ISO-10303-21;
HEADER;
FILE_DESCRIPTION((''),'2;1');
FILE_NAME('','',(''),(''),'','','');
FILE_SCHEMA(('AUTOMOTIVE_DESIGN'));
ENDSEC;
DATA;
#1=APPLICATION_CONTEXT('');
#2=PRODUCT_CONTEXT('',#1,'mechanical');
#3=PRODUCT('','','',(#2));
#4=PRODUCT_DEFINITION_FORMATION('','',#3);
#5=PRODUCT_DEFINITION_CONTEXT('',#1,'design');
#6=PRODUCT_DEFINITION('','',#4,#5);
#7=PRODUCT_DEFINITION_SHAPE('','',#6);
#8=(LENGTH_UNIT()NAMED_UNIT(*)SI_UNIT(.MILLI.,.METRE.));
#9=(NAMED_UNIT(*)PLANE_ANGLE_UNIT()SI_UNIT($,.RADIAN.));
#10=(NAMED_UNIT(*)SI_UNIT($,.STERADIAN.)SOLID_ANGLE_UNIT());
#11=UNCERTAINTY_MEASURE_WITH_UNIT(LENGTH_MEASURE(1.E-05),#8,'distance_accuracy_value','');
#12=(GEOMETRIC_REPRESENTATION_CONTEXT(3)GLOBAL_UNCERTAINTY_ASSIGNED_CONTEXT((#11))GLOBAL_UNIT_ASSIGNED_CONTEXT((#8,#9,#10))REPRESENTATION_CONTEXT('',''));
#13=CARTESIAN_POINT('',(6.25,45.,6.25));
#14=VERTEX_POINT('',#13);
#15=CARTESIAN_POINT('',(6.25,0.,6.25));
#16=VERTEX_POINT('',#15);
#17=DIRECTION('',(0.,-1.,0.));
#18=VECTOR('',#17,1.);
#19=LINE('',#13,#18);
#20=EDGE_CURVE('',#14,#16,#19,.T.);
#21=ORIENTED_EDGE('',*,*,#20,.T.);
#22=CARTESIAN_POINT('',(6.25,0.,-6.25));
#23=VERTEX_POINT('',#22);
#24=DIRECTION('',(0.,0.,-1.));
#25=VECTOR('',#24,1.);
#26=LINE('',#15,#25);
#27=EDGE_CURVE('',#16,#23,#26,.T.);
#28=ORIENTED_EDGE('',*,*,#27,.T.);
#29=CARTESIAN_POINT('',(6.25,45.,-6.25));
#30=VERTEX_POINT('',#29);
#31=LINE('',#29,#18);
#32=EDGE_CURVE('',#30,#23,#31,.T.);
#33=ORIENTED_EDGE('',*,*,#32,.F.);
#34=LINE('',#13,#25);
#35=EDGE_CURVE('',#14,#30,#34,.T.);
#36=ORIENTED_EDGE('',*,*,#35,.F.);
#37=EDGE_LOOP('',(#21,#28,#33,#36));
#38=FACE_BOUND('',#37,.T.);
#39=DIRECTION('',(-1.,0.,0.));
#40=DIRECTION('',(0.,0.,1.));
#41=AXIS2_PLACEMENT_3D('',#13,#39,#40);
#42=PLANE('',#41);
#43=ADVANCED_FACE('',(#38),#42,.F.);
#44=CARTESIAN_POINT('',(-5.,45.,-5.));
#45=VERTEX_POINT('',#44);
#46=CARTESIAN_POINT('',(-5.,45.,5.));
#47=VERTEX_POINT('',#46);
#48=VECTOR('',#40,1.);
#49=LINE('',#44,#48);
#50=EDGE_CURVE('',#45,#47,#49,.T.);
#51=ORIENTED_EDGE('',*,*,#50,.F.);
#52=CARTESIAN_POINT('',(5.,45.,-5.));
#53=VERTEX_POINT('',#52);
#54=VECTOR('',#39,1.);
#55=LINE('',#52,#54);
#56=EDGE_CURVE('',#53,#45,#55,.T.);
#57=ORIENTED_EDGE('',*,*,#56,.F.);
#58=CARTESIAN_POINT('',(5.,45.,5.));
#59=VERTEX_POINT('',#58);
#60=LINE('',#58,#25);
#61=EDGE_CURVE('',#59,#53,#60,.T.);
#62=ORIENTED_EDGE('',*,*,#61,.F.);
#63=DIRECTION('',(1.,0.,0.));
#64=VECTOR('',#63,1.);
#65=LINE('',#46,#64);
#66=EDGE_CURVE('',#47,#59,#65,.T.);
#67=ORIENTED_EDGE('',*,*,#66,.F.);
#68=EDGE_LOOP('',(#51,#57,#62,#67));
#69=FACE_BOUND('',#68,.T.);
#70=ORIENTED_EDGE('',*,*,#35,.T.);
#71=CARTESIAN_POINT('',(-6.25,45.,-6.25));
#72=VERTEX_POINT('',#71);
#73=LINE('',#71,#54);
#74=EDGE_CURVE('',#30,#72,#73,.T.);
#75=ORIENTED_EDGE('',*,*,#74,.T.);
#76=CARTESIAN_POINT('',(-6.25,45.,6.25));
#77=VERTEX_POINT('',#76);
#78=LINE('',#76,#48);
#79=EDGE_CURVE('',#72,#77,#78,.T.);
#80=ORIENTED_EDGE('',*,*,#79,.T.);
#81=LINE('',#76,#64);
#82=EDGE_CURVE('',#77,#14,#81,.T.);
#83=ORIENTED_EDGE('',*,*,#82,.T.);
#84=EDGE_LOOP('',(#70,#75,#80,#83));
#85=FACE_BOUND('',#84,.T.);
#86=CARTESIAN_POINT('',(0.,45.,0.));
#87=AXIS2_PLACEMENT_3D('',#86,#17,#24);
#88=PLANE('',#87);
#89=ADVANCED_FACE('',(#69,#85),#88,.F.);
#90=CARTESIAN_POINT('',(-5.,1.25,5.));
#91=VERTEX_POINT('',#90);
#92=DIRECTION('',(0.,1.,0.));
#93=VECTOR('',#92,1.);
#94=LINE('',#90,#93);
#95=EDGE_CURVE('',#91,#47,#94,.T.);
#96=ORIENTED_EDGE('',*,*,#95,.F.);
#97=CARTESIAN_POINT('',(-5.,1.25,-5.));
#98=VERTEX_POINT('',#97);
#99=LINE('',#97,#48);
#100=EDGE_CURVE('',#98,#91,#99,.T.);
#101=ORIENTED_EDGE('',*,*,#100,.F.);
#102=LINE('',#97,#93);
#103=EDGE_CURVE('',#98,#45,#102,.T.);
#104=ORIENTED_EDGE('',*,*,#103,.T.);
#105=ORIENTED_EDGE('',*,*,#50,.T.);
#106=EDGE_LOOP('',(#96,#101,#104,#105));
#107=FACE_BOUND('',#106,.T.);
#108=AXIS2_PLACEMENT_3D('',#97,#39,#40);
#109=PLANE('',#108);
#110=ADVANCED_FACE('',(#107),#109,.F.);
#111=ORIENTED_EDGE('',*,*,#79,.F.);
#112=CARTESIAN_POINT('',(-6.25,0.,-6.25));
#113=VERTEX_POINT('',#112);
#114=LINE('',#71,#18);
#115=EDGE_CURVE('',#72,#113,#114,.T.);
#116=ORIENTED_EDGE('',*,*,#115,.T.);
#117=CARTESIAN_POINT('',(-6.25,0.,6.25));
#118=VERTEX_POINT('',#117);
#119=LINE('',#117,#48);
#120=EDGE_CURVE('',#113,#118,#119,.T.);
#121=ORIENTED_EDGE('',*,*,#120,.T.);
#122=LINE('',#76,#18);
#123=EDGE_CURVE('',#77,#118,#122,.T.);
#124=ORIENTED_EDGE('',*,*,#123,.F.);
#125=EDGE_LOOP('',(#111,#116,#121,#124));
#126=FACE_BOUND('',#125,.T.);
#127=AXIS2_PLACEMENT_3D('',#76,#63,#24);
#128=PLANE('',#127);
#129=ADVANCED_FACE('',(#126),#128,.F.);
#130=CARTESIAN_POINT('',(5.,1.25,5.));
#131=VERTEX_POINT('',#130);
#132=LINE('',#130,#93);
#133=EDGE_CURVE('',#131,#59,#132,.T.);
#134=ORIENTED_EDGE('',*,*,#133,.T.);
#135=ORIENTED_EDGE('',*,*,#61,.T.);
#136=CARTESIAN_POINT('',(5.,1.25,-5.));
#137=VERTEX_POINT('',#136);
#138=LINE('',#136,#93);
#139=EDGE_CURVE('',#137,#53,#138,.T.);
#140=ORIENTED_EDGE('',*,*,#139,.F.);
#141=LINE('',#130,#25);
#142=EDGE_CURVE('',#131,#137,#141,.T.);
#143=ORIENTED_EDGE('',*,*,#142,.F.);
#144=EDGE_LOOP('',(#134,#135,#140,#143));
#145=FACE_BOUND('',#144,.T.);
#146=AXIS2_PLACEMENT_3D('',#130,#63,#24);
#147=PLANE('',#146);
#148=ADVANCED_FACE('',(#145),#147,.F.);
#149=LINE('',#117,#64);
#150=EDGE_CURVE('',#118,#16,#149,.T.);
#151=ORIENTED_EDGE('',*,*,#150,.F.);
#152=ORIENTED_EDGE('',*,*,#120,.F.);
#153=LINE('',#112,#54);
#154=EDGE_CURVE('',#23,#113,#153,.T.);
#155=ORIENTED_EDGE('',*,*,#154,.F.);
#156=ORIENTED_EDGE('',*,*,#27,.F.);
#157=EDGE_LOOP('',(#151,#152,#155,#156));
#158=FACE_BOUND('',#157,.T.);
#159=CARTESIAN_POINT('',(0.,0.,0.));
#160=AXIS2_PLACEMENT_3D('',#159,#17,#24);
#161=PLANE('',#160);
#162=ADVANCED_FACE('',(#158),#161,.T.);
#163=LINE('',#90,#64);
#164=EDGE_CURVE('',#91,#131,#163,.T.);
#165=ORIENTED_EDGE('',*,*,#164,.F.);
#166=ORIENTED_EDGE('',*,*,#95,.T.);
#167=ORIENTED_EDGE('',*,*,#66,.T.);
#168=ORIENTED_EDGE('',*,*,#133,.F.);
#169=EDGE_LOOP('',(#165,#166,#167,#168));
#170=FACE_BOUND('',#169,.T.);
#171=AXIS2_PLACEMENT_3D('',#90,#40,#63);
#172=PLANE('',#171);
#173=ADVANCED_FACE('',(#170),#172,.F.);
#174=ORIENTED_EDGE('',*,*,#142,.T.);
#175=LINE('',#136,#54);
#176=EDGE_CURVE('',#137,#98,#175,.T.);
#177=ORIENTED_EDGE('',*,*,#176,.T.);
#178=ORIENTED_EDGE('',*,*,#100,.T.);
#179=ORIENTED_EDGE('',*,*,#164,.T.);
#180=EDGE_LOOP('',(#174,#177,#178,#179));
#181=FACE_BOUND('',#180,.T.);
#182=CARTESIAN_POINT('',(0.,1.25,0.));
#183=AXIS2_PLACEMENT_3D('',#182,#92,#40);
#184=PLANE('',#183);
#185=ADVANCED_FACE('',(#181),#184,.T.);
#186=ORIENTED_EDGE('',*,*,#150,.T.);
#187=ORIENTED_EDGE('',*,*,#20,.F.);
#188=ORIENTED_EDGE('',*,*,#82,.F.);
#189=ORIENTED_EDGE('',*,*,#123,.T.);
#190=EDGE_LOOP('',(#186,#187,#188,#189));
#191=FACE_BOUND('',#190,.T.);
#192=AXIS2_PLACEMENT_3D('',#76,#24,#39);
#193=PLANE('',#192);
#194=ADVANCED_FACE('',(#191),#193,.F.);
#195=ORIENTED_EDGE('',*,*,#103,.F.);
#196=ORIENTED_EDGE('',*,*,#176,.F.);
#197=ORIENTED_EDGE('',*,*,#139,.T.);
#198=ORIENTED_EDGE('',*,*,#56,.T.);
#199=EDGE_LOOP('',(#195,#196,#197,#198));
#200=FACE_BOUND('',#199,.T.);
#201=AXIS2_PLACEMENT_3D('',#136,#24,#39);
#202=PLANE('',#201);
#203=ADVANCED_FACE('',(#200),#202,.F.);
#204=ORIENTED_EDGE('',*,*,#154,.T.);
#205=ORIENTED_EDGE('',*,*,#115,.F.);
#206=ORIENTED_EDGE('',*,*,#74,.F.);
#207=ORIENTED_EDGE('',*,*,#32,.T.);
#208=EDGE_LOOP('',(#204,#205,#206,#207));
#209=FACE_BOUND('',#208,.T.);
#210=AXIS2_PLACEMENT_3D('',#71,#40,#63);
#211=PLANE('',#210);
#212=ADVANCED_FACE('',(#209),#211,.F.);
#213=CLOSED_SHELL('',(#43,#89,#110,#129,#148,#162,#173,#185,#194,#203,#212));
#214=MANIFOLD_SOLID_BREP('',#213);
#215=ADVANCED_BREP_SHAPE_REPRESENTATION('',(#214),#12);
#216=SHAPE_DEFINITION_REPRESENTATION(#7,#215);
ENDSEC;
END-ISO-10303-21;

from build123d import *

# Parameters (mm, degrees)
SKETCH1_W          = 12.5
SKETCH1_H          = 12.5
CUVETTE_BODY_DEPTH = 45
SAMPLE_SPACE_START = 45
SKETCH2_W          = 10
SKETCH2_H          = 10
SAMPLE_SPACE_DEPTH = 43.75


with BuildPart() as part:
    # Sketch1 → Cuvette_Body (new body)
    with BuildSketch(Plane(origin=(0, 0, 0), x_dir=(1, 0, 0), z_dir=(0, 1, 0))):
        Rectangle(SKETCH1_W, SKETCH1_H)
    extrude(amount=CUVETTE_BODY_DEPTH)

    # Sketch2 → Sample_Space (cut)
    with BuildSketch(Plane(origin=(0, 0, 0), x_dir=(1, 0, 0), z_dir=(0, 1, 0)).offset(SAMPLE_SPACE_START)):
        Rectangle(SKETCH2_W, SKETCH2_H)
    extrude(amount=-SAMPLE_SPACE_DEPTH, mode=Mode.SUBTRACT)


solid = part.part
